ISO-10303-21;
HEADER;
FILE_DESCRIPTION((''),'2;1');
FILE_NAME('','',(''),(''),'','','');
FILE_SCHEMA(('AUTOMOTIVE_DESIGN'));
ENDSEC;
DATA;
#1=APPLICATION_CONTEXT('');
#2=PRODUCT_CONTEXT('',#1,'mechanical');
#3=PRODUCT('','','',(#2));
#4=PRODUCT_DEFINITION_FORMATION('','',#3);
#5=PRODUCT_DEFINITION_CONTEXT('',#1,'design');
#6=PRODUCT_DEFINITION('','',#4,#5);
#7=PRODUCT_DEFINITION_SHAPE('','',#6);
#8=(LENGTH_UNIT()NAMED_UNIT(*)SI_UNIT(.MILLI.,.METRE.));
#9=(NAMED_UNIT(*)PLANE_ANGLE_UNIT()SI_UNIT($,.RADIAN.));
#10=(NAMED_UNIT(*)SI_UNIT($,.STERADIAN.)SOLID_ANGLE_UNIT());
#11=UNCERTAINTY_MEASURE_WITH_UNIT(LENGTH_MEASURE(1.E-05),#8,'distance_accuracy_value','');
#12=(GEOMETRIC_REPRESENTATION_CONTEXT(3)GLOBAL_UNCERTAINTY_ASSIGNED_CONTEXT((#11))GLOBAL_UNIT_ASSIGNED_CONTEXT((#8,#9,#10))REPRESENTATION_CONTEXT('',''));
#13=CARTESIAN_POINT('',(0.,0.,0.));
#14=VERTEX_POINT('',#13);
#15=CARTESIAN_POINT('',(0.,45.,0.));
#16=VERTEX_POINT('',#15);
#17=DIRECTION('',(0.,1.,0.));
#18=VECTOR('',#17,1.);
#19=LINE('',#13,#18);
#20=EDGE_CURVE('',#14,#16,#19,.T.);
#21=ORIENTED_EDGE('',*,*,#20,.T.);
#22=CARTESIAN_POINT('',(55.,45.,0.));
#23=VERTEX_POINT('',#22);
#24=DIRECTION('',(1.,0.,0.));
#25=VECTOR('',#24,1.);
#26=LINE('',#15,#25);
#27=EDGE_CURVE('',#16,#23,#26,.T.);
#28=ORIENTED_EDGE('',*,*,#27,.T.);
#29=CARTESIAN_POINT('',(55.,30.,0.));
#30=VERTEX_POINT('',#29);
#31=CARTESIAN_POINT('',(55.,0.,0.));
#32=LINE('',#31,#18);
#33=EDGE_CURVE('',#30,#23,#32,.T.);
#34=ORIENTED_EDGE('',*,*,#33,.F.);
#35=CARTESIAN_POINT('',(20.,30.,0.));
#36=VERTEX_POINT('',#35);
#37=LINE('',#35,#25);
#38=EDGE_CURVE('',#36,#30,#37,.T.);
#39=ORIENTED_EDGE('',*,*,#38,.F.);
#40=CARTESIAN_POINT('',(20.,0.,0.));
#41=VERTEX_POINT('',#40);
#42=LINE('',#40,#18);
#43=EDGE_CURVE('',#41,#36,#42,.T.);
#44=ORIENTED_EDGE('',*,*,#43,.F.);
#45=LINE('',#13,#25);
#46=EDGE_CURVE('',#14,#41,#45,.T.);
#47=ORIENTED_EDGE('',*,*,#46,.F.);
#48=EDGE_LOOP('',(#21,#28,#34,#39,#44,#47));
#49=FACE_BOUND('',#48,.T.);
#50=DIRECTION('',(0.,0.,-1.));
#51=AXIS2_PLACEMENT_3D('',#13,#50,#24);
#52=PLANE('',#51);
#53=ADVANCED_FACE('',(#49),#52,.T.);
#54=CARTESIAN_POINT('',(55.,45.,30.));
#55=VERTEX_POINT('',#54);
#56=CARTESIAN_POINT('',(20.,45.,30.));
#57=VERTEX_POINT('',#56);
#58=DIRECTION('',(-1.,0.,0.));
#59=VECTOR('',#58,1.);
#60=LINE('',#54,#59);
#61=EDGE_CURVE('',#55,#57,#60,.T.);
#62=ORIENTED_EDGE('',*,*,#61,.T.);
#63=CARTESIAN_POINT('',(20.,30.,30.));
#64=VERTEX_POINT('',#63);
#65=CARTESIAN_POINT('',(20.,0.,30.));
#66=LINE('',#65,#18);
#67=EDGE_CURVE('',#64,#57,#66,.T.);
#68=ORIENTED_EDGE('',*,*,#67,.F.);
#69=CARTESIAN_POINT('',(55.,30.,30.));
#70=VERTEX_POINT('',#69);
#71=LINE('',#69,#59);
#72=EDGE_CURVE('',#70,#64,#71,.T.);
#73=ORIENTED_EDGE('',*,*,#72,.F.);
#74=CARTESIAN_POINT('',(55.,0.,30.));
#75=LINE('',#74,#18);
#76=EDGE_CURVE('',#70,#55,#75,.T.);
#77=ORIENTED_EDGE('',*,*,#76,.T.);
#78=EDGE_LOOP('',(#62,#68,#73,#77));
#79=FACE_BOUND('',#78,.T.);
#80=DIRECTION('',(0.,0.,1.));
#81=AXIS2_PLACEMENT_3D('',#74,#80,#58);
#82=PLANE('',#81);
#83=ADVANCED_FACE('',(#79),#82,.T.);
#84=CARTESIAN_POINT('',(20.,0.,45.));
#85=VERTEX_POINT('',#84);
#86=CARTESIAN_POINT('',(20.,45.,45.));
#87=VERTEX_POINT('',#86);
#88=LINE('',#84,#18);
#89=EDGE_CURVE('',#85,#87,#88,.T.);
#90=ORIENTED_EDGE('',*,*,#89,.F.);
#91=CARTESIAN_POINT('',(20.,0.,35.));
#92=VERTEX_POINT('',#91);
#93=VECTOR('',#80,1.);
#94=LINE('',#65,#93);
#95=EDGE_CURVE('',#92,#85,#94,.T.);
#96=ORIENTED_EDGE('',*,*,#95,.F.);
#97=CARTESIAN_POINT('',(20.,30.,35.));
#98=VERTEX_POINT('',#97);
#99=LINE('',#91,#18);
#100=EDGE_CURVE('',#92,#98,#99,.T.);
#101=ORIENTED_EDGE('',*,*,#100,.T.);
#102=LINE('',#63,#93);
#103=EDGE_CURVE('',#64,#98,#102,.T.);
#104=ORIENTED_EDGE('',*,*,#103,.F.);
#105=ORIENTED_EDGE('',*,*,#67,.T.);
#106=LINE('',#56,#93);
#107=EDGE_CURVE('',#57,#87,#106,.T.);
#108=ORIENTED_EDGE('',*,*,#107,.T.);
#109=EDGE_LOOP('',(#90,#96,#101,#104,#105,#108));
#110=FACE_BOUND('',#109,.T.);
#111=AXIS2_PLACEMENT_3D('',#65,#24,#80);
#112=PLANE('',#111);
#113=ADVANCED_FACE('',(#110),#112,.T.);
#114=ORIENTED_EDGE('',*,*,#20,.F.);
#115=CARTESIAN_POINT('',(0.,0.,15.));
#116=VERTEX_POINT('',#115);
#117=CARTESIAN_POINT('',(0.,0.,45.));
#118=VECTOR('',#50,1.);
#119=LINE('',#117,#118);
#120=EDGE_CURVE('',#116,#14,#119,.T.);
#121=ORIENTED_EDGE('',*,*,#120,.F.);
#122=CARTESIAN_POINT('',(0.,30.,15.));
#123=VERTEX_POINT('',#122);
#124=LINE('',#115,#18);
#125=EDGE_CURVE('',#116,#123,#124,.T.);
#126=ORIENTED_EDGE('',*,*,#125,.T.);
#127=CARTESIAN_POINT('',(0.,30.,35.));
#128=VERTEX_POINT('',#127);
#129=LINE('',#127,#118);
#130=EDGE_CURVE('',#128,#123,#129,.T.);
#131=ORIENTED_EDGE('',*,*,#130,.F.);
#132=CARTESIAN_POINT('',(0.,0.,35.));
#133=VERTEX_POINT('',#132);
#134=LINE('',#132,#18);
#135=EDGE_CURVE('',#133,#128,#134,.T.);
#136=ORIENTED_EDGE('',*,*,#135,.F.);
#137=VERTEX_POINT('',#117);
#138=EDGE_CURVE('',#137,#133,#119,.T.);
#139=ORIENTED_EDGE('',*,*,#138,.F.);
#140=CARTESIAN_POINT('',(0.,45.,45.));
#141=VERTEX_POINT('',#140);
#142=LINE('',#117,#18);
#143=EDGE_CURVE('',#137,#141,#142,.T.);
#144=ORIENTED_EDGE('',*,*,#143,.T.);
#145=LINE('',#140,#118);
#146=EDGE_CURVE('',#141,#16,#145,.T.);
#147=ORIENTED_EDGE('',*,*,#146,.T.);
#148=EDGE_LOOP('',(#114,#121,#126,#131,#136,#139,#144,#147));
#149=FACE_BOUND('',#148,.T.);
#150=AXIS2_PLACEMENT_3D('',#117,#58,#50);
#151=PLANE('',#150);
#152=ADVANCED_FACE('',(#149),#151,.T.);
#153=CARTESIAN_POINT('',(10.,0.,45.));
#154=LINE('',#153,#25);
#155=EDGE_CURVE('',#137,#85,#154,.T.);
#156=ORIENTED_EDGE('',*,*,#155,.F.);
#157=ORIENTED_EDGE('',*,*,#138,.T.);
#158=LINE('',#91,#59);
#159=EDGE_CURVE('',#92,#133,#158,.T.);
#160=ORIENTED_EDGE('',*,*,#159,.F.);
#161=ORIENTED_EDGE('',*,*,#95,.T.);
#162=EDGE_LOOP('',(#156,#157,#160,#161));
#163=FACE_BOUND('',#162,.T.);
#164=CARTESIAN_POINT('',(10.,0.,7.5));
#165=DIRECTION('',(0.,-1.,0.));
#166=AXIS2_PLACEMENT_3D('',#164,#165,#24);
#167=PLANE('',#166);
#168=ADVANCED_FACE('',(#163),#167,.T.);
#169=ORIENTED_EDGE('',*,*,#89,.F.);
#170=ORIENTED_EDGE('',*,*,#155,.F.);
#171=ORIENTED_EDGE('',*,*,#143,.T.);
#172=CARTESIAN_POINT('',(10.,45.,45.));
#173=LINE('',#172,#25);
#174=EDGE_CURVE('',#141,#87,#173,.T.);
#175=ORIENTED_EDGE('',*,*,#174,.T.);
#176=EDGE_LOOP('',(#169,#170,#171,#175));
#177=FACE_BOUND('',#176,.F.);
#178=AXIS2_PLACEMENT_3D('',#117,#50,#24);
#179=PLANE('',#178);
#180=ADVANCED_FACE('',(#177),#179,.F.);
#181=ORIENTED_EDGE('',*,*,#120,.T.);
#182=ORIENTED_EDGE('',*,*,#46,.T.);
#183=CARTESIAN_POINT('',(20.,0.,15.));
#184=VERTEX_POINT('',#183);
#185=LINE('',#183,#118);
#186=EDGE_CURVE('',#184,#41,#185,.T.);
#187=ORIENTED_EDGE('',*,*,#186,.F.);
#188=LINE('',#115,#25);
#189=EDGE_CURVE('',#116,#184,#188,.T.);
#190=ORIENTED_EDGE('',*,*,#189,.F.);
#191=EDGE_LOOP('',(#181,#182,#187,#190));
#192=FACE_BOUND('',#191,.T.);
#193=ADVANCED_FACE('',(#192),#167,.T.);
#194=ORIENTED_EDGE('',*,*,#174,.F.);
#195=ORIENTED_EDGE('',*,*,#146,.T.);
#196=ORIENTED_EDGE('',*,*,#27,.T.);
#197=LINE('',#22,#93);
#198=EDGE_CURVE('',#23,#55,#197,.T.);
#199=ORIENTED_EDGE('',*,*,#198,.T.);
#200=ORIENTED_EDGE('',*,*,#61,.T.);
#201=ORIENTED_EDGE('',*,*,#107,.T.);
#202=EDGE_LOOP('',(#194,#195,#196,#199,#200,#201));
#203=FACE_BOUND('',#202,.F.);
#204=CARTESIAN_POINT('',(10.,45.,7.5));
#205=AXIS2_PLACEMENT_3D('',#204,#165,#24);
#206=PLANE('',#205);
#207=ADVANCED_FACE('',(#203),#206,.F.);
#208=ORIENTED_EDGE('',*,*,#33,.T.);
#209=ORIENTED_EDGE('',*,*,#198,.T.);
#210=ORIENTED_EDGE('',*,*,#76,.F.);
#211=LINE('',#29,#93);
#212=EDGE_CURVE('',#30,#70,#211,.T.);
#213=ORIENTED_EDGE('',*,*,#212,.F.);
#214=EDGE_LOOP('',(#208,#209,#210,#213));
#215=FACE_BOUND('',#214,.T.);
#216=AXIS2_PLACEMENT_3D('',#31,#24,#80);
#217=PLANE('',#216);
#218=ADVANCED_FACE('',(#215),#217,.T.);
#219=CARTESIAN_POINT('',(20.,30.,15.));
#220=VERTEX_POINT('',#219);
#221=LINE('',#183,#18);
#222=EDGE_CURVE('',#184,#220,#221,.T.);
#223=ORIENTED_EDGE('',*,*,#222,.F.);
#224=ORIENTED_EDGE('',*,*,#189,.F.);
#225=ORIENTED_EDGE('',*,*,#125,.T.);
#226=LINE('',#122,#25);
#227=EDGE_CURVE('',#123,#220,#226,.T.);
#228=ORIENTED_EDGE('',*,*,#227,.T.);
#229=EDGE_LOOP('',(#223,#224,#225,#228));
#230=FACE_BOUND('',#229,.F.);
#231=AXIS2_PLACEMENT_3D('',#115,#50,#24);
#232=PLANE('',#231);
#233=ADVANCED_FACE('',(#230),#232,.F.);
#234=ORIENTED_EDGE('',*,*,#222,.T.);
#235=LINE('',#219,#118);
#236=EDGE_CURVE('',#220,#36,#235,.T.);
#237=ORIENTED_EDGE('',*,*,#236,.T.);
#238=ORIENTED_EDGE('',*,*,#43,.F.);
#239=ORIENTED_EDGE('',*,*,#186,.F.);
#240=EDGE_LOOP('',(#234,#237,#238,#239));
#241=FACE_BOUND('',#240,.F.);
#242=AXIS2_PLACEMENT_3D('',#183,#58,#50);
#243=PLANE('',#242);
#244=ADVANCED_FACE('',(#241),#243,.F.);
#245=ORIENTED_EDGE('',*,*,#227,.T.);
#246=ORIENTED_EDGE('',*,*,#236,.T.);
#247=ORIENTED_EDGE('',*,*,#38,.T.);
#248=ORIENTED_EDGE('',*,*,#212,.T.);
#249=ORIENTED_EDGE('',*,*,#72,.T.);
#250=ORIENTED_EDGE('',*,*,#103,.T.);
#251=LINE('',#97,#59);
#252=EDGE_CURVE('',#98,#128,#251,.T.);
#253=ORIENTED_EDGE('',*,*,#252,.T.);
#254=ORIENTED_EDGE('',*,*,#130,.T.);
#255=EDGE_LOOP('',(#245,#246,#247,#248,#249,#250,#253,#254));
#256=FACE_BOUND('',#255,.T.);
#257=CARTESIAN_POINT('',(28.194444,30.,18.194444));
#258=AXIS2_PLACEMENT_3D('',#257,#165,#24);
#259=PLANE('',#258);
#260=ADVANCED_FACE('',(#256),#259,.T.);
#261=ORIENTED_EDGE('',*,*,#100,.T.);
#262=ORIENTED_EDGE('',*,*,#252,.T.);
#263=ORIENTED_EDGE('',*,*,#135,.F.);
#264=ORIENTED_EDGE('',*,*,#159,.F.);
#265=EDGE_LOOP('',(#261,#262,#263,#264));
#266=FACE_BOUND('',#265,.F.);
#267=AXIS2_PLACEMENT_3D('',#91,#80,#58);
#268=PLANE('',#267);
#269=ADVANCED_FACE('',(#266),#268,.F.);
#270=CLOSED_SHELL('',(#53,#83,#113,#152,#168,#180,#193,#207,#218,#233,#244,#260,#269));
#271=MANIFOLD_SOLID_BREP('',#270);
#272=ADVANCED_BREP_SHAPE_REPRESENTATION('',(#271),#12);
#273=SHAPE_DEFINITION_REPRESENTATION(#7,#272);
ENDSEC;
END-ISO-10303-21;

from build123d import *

# Parameters (mm, degrees)
F0_W     = 20
F0_H     = 15
F0_H_2   = 10
F1_DEPTH = 45
F2_DEPTH = 30


with BuildPart() as f1:
    # F0 (on Front) → F1 (new body)
    with BuildSketch(Plane.XZ):
        with Locations((10, 7.5)):
            Rectangle(F0_W, F0_H)
        Polygon((0, 35), (0, 15), (20, 15), (20, 0), (55, 0), (55, 30), (20, 30), (20, 35), align=None)
        with Locations((10, 40)):
            Rectangle(F0_W, F0_H_2)
    extrude(amount=-F1_DEPTH)

    # F0 (on Front) → F2 (cut)
    with BuildSketch(Plane.XZ):
        Polygon((0, 35), (0, 15), (20, 15), (20, 0), (55, 0), (55, 30), (20, 30), (20, 35), align=None)
    extrude(amount=-F2_DEPTH, mode=Mode.SUBTRACT)


solid = f1.part
